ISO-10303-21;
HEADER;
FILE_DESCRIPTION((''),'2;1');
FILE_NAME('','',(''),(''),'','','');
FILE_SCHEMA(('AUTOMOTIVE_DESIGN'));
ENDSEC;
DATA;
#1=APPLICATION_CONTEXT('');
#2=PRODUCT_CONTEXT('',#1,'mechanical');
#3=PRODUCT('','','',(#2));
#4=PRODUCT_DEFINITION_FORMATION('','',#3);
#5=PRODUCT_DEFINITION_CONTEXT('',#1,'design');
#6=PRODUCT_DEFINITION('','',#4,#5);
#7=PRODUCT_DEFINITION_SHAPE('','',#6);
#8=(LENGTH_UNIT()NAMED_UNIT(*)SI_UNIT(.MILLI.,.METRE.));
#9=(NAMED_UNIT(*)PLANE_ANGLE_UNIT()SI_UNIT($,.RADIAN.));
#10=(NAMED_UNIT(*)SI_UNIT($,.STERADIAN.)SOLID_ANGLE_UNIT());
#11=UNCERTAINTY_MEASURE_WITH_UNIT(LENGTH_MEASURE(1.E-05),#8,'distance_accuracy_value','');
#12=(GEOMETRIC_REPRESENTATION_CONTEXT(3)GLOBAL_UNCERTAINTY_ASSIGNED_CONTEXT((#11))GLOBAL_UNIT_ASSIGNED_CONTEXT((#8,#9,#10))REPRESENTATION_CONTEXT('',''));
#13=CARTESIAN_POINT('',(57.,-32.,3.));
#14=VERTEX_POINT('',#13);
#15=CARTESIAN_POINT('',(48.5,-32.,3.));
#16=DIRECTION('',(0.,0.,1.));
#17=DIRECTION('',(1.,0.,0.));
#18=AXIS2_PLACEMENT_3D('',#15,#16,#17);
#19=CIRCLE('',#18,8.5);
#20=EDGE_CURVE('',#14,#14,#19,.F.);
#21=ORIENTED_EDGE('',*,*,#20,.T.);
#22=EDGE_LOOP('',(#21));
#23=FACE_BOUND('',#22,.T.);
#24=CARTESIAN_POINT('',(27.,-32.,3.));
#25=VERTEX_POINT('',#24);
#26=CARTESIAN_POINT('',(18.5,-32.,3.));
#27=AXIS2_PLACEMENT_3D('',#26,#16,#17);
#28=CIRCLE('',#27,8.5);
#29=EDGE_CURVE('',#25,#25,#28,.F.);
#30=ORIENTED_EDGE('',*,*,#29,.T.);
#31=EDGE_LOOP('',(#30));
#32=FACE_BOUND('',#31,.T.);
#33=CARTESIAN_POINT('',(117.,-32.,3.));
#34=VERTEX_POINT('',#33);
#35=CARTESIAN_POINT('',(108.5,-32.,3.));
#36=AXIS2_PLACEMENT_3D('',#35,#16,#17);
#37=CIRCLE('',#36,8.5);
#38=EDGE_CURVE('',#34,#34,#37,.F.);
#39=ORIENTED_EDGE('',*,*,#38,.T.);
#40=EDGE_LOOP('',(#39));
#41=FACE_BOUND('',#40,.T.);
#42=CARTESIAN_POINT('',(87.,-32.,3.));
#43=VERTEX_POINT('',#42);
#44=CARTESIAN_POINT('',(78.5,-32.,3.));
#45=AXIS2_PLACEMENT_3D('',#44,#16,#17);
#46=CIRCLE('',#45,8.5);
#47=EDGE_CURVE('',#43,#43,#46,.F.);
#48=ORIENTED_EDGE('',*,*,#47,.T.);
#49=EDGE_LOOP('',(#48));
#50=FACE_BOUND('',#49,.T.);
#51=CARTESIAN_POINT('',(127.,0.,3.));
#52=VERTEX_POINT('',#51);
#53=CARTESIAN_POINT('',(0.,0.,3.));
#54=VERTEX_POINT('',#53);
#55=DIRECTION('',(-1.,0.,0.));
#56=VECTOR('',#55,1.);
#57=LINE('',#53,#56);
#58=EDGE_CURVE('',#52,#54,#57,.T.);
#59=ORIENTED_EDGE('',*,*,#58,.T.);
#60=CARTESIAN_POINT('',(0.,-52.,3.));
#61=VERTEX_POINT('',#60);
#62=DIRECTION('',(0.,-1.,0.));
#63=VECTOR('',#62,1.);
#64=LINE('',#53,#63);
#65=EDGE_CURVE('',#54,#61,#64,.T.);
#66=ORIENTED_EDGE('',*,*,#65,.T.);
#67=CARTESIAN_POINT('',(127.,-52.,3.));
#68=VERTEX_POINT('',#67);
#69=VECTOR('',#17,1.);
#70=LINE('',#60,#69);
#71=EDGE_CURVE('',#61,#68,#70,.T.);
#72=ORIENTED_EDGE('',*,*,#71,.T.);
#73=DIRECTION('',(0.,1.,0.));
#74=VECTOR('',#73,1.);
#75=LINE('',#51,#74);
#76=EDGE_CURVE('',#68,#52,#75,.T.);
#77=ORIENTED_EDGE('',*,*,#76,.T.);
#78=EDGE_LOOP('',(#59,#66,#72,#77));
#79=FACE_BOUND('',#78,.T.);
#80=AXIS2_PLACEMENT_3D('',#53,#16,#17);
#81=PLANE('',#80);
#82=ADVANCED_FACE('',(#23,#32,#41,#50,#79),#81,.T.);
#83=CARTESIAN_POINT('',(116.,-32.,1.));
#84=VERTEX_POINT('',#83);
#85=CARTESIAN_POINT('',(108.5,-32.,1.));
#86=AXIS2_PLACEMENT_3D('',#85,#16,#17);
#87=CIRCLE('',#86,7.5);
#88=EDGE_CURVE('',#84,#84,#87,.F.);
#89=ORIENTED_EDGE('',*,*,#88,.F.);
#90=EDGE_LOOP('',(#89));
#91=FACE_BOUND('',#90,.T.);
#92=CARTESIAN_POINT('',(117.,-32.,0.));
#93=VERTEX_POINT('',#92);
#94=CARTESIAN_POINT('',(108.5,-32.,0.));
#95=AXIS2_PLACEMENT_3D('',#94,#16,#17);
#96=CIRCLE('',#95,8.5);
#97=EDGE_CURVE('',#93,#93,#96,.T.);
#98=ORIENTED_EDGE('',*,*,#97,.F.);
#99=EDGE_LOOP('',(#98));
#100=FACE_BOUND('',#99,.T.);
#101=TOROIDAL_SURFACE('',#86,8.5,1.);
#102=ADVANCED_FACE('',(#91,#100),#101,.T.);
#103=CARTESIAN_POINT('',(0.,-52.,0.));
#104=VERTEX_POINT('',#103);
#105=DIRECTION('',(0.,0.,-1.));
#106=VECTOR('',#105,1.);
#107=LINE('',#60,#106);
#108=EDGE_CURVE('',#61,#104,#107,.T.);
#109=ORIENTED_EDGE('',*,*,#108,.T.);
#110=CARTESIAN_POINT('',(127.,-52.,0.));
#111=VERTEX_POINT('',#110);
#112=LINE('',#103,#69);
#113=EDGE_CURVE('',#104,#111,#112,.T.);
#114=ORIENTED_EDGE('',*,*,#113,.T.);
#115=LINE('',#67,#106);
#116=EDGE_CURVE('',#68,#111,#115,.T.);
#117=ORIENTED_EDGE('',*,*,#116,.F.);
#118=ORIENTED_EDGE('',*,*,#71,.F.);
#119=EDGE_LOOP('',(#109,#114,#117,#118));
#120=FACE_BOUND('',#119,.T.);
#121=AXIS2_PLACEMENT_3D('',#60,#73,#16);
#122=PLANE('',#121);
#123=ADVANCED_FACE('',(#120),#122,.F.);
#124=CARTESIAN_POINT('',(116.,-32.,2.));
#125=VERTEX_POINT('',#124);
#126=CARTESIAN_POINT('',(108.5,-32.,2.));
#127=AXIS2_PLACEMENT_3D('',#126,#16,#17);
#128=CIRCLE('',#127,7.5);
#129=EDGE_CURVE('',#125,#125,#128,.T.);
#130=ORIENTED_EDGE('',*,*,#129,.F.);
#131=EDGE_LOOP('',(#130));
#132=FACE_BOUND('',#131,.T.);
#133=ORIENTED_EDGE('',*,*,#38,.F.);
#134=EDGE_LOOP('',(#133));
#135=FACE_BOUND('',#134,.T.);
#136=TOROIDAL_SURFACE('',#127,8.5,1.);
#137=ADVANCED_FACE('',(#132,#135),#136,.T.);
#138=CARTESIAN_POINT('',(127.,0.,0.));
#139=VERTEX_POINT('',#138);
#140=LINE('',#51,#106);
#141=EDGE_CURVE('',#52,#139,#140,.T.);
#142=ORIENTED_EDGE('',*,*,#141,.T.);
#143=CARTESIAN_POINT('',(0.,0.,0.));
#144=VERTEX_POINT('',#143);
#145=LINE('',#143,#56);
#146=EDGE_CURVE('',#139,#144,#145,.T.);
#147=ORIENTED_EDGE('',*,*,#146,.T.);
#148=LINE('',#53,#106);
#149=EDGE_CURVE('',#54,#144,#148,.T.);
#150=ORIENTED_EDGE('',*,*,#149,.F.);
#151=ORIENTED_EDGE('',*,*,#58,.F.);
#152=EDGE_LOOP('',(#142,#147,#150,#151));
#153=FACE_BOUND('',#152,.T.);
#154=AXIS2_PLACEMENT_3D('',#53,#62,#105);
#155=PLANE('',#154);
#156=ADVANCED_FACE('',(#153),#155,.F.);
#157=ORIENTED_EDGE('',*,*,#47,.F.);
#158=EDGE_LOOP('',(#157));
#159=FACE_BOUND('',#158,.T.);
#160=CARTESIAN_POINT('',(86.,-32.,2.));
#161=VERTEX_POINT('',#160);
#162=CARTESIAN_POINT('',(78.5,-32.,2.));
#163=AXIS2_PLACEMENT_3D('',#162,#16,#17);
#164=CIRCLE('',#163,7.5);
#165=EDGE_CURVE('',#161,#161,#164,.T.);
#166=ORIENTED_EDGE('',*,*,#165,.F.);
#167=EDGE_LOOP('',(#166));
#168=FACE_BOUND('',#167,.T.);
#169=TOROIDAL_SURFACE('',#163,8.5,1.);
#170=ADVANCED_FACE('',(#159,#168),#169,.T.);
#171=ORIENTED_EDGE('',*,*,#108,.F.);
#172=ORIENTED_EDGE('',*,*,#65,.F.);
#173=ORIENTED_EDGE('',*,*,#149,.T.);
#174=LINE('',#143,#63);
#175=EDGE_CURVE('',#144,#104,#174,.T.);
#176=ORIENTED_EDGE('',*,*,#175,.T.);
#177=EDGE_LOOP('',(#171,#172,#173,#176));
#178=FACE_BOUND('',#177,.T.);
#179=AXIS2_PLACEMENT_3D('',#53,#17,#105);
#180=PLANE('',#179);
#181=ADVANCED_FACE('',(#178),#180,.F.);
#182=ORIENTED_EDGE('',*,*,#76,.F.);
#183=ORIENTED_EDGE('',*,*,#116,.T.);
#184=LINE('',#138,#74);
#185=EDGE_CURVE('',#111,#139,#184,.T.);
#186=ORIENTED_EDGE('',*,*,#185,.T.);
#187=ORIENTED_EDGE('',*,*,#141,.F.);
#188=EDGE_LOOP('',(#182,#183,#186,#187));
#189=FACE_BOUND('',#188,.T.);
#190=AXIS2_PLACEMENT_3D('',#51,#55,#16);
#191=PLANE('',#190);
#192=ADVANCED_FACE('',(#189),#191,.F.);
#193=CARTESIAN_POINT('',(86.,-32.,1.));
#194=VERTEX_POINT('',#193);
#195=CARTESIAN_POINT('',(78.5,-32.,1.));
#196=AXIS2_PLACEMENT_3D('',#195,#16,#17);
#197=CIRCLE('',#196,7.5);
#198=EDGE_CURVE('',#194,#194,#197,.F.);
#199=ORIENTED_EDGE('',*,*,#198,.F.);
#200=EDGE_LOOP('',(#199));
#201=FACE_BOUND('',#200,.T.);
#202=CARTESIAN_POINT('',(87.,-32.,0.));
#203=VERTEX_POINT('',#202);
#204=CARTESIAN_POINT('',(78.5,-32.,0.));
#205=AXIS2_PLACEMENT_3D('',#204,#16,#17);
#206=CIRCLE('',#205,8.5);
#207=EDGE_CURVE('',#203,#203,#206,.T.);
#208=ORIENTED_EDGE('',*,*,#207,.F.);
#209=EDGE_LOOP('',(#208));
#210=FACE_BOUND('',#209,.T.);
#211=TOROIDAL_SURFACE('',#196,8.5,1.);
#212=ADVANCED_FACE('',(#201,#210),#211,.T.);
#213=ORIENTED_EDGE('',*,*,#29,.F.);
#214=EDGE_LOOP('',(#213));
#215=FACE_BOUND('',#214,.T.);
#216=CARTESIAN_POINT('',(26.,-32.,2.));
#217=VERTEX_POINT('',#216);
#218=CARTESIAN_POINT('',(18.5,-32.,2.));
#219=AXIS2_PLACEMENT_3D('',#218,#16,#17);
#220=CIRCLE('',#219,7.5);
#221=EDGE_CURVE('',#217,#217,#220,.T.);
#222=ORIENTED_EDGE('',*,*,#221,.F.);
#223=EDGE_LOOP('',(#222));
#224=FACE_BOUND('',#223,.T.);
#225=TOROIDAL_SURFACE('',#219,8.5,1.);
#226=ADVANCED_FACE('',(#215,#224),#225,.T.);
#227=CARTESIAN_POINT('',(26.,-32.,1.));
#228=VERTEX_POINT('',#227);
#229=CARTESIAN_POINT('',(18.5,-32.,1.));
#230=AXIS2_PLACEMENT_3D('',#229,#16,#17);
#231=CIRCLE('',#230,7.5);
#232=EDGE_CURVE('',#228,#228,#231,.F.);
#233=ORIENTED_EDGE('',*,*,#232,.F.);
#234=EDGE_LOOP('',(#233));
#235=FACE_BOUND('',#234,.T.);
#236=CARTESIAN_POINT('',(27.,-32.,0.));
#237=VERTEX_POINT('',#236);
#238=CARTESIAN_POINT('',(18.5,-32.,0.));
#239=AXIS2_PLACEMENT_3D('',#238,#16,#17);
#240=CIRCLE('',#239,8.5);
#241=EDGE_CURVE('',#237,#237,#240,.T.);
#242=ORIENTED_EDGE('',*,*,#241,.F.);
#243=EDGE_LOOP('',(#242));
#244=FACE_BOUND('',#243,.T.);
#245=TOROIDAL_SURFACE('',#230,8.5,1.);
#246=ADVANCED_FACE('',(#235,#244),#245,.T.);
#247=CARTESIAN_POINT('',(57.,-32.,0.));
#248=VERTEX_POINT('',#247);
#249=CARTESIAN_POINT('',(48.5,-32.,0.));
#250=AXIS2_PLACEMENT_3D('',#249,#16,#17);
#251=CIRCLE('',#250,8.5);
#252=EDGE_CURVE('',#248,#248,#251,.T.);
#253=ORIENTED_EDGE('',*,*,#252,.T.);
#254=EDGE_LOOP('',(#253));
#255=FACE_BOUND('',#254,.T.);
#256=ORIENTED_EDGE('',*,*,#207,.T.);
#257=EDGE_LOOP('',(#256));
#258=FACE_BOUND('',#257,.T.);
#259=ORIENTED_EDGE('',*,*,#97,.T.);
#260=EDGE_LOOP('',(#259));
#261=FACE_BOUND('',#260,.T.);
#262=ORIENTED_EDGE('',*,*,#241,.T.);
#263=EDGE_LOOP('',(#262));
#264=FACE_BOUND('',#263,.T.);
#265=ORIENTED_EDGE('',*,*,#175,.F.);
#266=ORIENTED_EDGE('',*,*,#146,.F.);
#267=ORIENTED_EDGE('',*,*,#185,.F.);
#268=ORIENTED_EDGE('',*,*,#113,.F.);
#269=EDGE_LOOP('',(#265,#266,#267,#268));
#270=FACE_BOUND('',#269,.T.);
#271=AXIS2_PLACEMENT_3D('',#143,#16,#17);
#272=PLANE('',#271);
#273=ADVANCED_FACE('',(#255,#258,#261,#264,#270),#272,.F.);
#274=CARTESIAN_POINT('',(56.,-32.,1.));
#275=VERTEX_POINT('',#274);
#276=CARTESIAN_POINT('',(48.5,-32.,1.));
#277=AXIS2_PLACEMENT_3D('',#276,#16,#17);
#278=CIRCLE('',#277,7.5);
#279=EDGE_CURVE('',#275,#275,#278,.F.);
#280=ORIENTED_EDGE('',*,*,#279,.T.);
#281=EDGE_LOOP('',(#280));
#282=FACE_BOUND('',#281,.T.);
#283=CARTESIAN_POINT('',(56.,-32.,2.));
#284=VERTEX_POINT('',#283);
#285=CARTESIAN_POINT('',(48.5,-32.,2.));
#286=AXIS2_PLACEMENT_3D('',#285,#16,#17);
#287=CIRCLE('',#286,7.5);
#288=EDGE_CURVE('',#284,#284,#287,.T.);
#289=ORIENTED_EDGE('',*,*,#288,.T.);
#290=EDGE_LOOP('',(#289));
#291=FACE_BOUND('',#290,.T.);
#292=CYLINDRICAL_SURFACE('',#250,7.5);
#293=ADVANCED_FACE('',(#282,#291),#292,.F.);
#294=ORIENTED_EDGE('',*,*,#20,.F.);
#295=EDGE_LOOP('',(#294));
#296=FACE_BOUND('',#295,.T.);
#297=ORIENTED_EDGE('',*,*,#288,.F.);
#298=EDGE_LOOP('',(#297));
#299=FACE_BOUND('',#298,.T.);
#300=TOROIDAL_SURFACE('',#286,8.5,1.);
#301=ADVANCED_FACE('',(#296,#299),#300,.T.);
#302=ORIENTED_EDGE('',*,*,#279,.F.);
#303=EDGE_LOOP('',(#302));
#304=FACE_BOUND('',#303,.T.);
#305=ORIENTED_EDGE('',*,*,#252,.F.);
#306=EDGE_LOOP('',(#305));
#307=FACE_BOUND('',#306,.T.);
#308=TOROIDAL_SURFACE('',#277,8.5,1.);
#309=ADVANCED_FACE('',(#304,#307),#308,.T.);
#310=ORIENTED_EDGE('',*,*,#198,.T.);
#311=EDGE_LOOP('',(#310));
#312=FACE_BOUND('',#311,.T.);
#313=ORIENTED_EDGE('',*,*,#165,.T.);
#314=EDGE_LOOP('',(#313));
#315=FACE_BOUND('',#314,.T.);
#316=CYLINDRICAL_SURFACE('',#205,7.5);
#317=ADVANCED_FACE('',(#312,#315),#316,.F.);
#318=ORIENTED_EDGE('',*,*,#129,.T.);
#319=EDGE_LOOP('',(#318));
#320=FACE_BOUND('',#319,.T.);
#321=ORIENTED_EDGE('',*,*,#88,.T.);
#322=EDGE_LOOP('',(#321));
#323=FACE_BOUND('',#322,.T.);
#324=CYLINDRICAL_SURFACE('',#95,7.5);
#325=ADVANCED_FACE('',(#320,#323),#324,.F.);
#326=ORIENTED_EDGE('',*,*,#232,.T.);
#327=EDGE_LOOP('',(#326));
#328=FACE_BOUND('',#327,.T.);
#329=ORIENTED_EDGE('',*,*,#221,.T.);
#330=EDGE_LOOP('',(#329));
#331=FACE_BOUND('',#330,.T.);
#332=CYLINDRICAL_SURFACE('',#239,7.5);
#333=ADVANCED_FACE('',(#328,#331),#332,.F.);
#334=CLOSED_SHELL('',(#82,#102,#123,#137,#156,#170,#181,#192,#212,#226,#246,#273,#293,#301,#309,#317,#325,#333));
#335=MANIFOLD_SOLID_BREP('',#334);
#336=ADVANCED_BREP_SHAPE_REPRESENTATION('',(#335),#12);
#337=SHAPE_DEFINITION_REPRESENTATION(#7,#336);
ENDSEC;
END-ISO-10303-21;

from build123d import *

# Parameters (mm, degrees)
SKETCH_1_W          = 127
SKETCH_1_H          = 52
EXTRUDE_1_DEPTH     = 3
SKETCH_2_R          = 7.5
CUT_EXTRUDE_1_DEPTH = 3
FILLET_1_R          = 1


with BuildPart() as part:
    # 草图1 → 凸台-拉伸1 (new body)
    with BuildSketch(Plane.XY):
        with Locations((63.5, -26)):
            Rectangle(SKETCH_1_W, SKETCH_1_H)
    extrude(amount=EXTRUDE_1_DEPTH)

    # 草图2 → 切除-拉伸1 (cut)
    with BuildSketch(Plane.XY.offset(3)):
        with Locations((78.5, -32)):
            Circle(SKETCH_2_R)
        with Locations((108.5, -32)):
            Circle(SKETCH_2_R)
        with Locations((48.5, -32)):
            Circle(SKETCH_2_R)
        with Locations((18.5, -32)):
            Circle(SKETCH_2_R)
    extrude(amount=-CUT_EXTRUDE_1_DEPTH, mode=Mode.SUBTRACT)

    # 圆角1
    fillet_1_edges = [part.edges().sort_by_distance(p)[0] for p in [
        (11, -32, 0),
        (11, -32, 3),
        (41, -32, 0),
        (41, -32, 3),
        (101, -32, 0),
        (101, -32, 3),
        (71, -32, 0),
        (71, -32, 3),
    ]]
    fillet(fillet_1_edges, radius=FILLET_1_R)


solid = part.part
